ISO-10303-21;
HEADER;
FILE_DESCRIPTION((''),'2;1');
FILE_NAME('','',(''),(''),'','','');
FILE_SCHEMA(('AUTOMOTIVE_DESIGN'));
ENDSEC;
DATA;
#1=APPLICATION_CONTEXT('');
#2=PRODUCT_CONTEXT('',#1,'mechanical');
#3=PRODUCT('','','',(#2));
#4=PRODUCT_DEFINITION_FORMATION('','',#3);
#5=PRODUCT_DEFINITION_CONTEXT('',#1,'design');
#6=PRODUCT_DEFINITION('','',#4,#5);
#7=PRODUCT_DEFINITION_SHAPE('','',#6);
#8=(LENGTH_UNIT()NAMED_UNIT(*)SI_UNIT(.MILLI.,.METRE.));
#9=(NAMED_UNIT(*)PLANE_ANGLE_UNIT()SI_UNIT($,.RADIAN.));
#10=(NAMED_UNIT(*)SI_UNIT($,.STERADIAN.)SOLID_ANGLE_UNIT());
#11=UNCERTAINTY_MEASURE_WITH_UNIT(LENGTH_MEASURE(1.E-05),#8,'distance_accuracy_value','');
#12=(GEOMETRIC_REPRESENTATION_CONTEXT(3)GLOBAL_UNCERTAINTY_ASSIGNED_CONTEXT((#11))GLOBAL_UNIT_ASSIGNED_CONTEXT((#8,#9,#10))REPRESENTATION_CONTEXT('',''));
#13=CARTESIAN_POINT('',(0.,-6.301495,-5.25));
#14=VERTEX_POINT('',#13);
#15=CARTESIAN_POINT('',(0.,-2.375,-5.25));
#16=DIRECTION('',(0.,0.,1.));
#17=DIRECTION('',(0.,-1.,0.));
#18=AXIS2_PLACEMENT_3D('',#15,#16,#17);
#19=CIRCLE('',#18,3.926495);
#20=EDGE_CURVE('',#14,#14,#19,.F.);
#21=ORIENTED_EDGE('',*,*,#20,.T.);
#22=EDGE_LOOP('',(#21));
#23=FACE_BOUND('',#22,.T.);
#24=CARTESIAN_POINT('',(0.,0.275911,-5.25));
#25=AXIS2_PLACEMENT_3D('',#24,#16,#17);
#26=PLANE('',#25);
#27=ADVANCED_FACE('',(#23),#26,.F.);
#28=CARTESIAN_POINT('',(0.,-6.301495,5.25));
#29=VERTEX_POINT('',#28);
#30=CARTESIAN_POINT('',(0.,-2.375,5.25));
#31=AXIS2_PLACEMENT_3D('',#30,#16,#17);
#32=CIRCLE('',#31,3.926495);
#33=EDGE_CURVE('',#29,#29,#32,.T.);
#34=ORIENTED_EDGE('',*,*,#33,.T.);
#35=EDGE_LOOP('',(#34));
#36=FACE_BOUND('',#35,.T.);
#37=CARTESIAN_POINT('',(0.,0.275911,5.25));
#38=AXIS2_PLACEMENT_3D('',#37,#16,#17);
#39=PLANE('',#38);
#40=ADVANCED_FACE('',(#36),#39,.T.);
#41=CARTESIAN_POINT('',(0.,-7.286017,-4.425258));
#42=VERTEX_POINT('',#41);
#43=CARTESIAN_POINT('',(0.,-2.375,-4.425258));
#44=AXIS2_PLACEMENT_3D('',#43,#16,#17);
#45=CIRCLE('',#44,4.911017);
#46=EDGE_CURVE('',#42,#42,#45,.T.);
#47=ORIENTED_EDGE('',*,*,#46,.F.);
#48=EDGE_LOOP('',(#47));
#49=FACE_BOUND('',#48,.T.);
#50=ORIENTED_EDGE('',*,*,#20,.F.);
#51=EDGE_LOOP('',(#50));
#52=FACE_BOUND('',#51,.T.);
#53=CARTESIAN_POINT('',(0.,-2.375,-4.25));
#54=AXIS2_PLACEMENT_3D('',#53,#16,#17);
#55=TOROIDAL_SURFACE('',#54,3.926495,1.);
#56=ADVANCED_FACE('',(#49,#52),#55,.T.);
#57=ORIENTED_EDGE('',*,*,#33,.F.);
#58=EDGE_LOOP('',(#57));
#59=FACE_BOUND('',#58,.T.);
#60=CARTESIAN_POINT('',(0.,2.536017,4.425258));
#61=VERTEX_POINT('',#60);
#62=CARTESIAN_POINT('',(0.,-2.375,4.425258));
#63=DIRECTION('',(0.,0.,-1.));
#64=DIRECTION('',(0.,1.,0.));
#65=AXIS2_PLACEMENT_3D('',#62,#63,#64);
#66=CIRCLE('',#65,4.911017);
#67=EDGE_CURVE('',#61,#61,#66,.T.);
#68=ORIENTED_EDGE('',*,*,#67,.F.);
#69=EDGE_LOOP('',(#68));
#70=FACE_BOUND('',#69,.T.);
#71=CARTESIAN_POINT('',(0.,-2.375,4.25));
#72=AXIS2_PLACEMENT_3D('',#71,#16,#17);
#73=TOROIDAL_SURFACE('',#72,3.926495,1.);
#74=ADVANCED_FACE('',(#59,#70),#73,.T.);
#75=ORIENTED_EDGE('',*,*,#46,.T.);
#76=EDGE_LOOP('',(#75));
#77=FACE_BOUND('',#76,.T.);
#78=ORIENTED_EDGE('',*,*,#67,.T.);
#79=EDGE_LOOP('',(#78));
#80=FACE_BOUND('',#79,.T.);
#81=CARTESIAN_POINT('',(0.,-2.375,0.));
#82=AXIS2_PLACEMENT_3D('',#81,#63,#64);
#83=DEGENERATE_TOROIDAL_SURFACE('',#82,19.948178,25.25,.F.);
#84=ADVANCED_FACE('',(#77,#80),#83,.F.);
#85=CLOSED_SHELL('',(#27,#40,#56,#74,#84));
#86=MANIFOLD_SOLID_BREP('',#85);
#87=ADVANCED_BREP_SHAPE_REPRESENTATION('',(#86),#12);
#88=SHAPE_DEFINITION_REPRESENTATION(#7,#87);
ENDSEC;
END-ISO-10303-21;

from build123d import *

# Parameters (mm, degrees)
SKETCH4_W    = 21
SKETCH4_H    = 9.5
FILLET1_R    = 2
SCALE1_SCALE = 0.5


with BuildPart() as part:
    # Sketch4 → Revolve1 (revolve)
    with BuildSketch(Plane(origin=(0, 0, 0), x_dir=(0, 0, -1), z_dir=(1, 0, 0))):
        with BuildLine():
            ThreePointArc((-10.5, 4.75), (0, 5.853643859), (10.5, 4.75))
            Line((10.5, 4.75), (-10.5, 4.75))
        make_face()
        Rectangle(SKETCH4_W, SKETCH4_H)
    revolve(axis=Axis((0, -4.75, -14.725718804), (0, 0, 1)))

    # Fillet1
    fillet1_edges = [part.edges().sort_by_distance(p)[0] for p in [
        (0, -14.25, -10.5),
        (0, -14.25, 10.5),
    ]]
    fillet(fillet1_edges, radius=FILLET1_R)


with BuildPart() as part_1:
    # Scale1: scaled about (0, 0, 0)
    add(part.part.scale(SCALE1_SCALE))


solid = part_1.part
